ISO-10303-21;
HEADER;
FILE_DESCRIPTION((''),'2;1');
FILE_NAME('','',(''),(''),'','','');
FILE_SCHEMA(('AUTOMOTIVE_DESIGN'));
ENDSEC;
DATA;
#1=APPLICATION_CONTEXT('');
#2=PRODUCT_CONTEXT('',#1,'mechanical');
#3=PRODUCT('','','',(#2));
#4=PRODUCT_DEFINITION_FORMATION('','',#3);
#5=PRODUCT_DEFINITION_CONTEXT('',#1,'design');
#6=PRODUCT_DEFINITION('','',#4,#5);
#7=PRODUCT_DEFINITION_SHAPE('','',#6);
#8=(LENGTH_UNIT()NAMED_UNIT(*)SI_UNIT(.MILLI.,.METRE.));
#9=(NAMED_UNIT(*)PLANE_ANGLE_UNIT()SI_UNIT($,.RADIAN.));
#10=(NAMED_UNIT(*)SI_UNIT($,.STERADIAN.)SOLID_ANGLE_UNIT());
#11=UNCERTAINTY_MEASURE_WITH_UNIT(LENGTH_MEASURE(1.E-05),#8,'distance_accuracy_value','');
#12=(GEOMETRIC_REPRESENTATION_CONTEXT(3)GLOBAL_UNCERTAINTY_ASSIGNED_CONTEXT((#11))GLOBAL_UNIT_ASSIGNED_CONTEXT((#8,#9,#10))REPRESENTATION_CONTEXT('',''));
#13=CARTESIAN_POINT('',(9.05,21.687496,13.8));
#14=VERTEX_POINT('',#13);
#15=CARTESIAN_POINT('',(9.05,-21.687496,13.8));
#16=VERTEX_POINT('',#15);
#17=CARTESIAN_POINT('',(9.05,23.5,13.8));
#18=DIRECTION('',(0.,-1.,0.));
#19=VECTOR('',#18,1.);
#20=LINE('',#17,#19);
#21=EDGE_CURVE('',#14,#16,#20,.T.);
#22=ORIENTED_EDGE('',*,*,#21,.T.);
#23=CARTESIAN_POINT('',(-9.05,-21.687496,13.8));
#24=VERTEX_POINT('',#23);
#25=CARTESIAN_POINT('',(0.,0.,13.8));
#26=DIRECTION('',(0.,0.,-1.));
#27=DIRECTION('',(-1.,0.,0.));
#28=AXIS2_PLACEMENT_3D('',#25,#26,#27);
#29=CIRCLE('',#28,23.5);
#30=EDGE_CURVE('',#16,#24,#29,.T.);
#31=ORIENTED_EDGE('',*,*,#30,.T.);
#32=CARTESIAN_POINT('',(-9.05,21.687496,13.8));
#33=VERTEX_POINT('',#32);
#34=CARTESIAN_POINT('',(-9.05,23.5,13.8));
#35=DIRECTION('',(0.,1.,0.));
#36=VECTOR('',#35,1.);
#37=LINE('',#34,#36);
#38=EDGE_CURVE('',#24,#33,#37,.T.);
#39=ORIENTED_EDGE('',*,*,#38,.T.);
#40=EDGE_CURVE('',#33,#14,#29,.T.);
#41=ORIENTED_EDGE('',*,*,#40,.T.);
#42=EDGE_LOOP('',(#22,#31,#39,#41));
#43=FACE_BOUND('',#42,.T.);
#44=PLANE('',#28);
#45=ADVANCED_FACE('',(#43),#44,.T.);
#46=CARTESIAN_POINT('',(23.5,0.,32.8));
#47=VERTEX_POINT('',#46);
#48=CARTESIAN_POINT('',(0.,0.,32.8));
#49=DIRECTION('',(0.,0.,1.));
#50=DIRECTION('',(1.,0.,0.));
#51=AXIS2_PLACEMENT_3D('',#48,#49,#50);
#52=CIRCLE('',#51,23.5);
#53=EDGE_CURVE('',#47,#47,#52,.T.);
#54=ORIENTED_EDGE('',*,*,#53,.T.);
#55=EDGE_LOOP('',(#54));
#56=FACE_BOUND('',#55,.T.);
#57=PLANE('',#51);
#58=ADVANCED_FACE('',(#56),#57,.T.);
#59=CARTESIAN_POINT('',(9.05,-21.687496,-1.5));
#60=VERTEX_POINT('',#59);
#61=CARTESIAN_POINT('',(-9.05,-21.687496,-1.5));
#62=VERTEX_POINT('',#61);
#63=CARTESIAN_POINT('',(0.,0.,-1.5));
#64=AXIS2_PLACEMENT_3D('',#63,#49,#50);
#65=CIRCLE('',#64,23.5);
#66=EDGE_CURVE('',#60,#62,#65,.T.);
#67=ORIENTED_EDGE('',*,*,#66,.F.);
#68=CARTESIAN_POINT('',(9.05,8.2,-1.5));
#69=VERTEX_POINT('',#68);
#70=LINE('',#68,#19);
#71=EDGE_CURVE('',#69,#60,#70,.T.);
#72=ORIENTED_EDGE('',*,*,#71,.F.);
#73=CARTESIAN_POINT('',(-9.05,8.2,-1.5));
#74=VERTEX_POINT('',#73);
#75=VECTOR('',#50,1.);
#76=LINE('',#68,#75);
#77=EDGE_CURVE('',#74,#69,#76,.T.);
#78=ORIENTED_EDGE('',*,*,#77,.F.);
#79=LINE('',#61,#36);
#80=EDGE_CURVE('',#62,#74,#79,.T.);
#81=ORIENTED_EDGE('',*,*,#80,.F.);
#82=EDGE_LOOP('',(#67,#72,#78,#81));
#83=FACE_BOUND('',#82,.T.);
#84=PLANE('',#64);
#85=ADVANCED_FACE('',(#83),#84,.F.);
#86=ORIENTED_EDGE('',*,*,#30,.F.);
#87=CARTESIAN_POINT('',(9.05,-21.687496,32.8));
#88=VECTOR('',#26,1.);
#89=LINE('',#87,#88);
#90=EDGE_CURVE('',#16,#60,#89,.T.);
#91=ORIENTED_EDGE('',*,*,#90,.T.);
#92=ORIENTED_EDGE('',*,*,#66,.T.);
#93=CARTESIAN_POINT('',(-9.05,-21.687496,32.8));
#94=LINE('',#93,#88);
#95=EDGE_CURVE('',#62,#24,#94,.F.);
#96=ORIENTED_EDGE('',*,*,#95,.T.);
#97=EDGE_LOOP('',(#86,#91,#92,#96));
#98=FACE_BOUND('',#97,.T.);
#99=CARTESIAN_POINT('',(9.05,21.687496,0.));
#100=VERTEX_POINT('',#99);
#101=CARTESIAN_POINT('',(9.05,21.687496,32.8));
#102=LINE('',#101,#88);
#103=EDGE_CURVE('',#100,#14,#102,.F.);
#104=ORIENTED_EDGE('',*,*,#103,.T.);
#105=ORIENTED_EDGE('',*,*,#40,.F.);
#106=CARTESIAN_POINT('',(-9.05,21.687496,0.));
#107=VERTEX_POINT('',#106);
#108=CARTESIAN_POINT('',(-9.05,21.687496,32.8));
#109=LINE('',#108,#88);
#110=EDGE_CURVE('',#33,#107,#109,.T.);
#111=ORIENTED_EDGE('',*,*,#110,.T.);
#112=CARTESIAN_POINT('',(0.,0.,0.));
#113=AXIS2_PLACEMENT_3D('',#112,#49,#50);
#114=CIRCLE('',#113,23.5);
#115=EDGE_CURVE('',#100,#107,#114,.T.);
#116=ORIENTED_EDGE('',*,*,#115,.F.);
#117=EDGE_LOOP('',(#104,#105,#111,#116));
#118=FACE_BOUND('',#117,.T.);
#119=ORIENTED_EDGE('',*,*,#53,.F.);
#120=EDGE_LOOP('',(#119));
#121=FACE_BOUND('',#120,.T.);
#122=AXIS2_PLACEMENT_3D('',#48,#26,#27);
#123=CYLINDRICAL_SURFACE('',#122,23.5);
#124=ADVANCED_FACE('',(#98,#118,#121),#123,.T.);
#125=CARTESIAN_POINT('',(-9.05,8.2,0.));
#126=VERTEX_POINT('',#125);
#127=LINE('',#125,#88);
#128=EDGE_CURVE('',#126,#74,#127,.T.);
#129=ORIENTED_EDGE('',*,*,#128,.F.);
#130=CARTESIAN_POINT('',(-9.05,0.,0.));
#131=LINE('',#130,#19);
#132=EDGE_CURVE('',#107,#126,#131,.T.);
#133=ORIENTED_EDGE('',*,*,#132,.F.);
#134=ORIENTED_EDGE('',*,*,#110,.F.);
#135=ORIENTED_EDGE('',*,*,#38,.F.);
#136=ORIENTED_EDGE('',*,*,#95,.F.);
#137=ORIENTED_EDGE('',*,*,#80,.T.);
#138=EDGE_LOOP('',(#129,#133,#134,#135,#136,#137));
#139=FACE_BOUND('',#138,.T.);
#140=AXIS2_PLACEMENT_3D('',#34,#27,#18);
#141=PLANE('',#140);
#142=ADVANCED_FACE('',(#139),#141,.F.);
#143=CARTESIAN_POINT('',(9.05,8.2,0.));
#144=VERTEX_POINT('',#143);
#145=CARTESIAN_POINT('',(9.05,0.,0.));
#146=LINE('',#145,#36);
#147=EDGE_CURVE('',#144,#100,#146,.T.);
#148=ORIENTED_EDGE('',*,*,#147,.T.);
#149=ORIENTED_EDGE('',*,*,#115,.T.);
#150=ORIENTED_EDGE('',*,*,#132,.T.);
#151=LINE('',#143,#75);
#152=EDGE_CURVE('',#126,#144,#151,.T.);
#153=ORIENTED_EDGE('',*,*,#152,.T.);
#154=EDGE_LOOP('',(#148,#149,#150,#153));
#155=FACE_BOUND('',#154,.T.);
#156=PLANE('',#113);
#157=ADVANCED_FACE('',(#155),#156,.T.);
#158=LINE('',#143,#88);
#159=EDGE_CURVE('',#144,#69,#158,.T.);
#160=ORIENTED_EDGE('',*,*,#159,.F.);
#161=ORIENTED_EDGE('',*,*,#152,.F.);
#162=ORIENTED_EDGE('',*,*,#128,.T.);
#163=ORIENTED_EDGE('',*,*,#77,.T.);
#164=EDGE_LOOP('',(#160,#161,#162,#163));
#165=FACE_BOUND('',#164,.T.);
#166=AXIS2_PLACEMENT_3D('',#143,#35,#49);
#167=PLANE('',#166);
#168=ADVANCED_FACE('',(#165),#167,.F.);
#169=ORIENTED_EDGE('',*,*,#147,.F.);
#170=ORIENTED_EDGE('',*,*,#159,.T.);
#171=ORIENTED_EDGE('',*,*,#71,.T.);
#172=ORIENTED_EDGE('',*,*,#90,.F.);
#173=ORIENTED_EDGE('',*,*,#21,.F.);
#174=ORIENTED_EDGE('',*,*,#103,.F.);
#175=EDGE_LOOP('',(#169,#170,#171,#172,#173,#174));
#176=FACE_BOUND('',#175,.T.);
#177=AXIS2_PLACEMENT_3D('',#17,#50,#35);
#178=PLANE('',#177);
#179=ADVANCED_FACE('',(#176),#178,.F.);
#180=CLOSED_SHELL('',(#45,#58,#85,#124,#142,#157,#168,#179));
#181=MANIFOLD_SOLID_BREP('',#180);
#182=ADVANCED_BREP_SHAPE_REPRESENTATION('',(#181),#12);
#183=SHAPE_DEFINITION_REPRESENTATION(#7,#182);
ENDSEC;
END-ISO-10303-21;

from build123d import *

# Parameters (mm, degrees)
SKETCH1_R           = 23.5
BOSS_EXTRUDE1_DEPTH = 32.8
SKETCH5_W           = 18.1
SKETCH5_H           = 47
CUT_EXTRUDE1_DEPTH  = 13.8
SKETCH6_R           = 23.5
BOSS_EXTRUDE2_DEPTH = 1.5
CUT_EXTRUDE5_DEPTH  = 1.5


with BuildPart() as part:
    # Sketch1 → Boss-Extrude1 (new body)
    with BuildSketch(Plane.XY):
        Circle(SKETCH1_R)
    extrude(amount=BOSS_EXTRUDE1_DEPTH)

    # Sketch5 → Cut-Extrude1 (cut)
    with BuildSketch(Plane(origin=(0, 0, 0), x_dir=(-1, 0, 0), z_dir=(0, 0, -1))):
        Rectangle(SKETCH5_W, SKETCH5_H)
    extrude(amount=-CUT_EXTRUDE1_DEPTH, mode=Mode.SUBTRACT)

    # Sketch6 → Boss-Extrude2 (add)
    with BuildSketch(Plane.XY):
        Circle(SKETCH6_R)
    extrude(amount=-BOSS_EXTRUDE2_DEPTH)

    # Sketch8 → Cut-Extrude5 (cut)
    with BuildSketch(Plane(origin=(0, 0, -1.5), x_dir=(-1, 0, 0), z_dir=(0, 0, -1))):
        with BuildLine():
            Line((-9.05, 8.2), (9.05, 8.2))
            Line((9.05, 8.2), (9.05, -21.687496398))
            ThreePointArc((9.05, -21.687496398), (0, -23.5), (-9.05, -21.687496398))
            Line((-9.05, -21.687496398), (-9.05, 8.2))
        make_face()
    extrude(amount=-CUT_EXTRUDE5_DEPTH, mode=Mode.SUBTRACT)


solid = part.part
